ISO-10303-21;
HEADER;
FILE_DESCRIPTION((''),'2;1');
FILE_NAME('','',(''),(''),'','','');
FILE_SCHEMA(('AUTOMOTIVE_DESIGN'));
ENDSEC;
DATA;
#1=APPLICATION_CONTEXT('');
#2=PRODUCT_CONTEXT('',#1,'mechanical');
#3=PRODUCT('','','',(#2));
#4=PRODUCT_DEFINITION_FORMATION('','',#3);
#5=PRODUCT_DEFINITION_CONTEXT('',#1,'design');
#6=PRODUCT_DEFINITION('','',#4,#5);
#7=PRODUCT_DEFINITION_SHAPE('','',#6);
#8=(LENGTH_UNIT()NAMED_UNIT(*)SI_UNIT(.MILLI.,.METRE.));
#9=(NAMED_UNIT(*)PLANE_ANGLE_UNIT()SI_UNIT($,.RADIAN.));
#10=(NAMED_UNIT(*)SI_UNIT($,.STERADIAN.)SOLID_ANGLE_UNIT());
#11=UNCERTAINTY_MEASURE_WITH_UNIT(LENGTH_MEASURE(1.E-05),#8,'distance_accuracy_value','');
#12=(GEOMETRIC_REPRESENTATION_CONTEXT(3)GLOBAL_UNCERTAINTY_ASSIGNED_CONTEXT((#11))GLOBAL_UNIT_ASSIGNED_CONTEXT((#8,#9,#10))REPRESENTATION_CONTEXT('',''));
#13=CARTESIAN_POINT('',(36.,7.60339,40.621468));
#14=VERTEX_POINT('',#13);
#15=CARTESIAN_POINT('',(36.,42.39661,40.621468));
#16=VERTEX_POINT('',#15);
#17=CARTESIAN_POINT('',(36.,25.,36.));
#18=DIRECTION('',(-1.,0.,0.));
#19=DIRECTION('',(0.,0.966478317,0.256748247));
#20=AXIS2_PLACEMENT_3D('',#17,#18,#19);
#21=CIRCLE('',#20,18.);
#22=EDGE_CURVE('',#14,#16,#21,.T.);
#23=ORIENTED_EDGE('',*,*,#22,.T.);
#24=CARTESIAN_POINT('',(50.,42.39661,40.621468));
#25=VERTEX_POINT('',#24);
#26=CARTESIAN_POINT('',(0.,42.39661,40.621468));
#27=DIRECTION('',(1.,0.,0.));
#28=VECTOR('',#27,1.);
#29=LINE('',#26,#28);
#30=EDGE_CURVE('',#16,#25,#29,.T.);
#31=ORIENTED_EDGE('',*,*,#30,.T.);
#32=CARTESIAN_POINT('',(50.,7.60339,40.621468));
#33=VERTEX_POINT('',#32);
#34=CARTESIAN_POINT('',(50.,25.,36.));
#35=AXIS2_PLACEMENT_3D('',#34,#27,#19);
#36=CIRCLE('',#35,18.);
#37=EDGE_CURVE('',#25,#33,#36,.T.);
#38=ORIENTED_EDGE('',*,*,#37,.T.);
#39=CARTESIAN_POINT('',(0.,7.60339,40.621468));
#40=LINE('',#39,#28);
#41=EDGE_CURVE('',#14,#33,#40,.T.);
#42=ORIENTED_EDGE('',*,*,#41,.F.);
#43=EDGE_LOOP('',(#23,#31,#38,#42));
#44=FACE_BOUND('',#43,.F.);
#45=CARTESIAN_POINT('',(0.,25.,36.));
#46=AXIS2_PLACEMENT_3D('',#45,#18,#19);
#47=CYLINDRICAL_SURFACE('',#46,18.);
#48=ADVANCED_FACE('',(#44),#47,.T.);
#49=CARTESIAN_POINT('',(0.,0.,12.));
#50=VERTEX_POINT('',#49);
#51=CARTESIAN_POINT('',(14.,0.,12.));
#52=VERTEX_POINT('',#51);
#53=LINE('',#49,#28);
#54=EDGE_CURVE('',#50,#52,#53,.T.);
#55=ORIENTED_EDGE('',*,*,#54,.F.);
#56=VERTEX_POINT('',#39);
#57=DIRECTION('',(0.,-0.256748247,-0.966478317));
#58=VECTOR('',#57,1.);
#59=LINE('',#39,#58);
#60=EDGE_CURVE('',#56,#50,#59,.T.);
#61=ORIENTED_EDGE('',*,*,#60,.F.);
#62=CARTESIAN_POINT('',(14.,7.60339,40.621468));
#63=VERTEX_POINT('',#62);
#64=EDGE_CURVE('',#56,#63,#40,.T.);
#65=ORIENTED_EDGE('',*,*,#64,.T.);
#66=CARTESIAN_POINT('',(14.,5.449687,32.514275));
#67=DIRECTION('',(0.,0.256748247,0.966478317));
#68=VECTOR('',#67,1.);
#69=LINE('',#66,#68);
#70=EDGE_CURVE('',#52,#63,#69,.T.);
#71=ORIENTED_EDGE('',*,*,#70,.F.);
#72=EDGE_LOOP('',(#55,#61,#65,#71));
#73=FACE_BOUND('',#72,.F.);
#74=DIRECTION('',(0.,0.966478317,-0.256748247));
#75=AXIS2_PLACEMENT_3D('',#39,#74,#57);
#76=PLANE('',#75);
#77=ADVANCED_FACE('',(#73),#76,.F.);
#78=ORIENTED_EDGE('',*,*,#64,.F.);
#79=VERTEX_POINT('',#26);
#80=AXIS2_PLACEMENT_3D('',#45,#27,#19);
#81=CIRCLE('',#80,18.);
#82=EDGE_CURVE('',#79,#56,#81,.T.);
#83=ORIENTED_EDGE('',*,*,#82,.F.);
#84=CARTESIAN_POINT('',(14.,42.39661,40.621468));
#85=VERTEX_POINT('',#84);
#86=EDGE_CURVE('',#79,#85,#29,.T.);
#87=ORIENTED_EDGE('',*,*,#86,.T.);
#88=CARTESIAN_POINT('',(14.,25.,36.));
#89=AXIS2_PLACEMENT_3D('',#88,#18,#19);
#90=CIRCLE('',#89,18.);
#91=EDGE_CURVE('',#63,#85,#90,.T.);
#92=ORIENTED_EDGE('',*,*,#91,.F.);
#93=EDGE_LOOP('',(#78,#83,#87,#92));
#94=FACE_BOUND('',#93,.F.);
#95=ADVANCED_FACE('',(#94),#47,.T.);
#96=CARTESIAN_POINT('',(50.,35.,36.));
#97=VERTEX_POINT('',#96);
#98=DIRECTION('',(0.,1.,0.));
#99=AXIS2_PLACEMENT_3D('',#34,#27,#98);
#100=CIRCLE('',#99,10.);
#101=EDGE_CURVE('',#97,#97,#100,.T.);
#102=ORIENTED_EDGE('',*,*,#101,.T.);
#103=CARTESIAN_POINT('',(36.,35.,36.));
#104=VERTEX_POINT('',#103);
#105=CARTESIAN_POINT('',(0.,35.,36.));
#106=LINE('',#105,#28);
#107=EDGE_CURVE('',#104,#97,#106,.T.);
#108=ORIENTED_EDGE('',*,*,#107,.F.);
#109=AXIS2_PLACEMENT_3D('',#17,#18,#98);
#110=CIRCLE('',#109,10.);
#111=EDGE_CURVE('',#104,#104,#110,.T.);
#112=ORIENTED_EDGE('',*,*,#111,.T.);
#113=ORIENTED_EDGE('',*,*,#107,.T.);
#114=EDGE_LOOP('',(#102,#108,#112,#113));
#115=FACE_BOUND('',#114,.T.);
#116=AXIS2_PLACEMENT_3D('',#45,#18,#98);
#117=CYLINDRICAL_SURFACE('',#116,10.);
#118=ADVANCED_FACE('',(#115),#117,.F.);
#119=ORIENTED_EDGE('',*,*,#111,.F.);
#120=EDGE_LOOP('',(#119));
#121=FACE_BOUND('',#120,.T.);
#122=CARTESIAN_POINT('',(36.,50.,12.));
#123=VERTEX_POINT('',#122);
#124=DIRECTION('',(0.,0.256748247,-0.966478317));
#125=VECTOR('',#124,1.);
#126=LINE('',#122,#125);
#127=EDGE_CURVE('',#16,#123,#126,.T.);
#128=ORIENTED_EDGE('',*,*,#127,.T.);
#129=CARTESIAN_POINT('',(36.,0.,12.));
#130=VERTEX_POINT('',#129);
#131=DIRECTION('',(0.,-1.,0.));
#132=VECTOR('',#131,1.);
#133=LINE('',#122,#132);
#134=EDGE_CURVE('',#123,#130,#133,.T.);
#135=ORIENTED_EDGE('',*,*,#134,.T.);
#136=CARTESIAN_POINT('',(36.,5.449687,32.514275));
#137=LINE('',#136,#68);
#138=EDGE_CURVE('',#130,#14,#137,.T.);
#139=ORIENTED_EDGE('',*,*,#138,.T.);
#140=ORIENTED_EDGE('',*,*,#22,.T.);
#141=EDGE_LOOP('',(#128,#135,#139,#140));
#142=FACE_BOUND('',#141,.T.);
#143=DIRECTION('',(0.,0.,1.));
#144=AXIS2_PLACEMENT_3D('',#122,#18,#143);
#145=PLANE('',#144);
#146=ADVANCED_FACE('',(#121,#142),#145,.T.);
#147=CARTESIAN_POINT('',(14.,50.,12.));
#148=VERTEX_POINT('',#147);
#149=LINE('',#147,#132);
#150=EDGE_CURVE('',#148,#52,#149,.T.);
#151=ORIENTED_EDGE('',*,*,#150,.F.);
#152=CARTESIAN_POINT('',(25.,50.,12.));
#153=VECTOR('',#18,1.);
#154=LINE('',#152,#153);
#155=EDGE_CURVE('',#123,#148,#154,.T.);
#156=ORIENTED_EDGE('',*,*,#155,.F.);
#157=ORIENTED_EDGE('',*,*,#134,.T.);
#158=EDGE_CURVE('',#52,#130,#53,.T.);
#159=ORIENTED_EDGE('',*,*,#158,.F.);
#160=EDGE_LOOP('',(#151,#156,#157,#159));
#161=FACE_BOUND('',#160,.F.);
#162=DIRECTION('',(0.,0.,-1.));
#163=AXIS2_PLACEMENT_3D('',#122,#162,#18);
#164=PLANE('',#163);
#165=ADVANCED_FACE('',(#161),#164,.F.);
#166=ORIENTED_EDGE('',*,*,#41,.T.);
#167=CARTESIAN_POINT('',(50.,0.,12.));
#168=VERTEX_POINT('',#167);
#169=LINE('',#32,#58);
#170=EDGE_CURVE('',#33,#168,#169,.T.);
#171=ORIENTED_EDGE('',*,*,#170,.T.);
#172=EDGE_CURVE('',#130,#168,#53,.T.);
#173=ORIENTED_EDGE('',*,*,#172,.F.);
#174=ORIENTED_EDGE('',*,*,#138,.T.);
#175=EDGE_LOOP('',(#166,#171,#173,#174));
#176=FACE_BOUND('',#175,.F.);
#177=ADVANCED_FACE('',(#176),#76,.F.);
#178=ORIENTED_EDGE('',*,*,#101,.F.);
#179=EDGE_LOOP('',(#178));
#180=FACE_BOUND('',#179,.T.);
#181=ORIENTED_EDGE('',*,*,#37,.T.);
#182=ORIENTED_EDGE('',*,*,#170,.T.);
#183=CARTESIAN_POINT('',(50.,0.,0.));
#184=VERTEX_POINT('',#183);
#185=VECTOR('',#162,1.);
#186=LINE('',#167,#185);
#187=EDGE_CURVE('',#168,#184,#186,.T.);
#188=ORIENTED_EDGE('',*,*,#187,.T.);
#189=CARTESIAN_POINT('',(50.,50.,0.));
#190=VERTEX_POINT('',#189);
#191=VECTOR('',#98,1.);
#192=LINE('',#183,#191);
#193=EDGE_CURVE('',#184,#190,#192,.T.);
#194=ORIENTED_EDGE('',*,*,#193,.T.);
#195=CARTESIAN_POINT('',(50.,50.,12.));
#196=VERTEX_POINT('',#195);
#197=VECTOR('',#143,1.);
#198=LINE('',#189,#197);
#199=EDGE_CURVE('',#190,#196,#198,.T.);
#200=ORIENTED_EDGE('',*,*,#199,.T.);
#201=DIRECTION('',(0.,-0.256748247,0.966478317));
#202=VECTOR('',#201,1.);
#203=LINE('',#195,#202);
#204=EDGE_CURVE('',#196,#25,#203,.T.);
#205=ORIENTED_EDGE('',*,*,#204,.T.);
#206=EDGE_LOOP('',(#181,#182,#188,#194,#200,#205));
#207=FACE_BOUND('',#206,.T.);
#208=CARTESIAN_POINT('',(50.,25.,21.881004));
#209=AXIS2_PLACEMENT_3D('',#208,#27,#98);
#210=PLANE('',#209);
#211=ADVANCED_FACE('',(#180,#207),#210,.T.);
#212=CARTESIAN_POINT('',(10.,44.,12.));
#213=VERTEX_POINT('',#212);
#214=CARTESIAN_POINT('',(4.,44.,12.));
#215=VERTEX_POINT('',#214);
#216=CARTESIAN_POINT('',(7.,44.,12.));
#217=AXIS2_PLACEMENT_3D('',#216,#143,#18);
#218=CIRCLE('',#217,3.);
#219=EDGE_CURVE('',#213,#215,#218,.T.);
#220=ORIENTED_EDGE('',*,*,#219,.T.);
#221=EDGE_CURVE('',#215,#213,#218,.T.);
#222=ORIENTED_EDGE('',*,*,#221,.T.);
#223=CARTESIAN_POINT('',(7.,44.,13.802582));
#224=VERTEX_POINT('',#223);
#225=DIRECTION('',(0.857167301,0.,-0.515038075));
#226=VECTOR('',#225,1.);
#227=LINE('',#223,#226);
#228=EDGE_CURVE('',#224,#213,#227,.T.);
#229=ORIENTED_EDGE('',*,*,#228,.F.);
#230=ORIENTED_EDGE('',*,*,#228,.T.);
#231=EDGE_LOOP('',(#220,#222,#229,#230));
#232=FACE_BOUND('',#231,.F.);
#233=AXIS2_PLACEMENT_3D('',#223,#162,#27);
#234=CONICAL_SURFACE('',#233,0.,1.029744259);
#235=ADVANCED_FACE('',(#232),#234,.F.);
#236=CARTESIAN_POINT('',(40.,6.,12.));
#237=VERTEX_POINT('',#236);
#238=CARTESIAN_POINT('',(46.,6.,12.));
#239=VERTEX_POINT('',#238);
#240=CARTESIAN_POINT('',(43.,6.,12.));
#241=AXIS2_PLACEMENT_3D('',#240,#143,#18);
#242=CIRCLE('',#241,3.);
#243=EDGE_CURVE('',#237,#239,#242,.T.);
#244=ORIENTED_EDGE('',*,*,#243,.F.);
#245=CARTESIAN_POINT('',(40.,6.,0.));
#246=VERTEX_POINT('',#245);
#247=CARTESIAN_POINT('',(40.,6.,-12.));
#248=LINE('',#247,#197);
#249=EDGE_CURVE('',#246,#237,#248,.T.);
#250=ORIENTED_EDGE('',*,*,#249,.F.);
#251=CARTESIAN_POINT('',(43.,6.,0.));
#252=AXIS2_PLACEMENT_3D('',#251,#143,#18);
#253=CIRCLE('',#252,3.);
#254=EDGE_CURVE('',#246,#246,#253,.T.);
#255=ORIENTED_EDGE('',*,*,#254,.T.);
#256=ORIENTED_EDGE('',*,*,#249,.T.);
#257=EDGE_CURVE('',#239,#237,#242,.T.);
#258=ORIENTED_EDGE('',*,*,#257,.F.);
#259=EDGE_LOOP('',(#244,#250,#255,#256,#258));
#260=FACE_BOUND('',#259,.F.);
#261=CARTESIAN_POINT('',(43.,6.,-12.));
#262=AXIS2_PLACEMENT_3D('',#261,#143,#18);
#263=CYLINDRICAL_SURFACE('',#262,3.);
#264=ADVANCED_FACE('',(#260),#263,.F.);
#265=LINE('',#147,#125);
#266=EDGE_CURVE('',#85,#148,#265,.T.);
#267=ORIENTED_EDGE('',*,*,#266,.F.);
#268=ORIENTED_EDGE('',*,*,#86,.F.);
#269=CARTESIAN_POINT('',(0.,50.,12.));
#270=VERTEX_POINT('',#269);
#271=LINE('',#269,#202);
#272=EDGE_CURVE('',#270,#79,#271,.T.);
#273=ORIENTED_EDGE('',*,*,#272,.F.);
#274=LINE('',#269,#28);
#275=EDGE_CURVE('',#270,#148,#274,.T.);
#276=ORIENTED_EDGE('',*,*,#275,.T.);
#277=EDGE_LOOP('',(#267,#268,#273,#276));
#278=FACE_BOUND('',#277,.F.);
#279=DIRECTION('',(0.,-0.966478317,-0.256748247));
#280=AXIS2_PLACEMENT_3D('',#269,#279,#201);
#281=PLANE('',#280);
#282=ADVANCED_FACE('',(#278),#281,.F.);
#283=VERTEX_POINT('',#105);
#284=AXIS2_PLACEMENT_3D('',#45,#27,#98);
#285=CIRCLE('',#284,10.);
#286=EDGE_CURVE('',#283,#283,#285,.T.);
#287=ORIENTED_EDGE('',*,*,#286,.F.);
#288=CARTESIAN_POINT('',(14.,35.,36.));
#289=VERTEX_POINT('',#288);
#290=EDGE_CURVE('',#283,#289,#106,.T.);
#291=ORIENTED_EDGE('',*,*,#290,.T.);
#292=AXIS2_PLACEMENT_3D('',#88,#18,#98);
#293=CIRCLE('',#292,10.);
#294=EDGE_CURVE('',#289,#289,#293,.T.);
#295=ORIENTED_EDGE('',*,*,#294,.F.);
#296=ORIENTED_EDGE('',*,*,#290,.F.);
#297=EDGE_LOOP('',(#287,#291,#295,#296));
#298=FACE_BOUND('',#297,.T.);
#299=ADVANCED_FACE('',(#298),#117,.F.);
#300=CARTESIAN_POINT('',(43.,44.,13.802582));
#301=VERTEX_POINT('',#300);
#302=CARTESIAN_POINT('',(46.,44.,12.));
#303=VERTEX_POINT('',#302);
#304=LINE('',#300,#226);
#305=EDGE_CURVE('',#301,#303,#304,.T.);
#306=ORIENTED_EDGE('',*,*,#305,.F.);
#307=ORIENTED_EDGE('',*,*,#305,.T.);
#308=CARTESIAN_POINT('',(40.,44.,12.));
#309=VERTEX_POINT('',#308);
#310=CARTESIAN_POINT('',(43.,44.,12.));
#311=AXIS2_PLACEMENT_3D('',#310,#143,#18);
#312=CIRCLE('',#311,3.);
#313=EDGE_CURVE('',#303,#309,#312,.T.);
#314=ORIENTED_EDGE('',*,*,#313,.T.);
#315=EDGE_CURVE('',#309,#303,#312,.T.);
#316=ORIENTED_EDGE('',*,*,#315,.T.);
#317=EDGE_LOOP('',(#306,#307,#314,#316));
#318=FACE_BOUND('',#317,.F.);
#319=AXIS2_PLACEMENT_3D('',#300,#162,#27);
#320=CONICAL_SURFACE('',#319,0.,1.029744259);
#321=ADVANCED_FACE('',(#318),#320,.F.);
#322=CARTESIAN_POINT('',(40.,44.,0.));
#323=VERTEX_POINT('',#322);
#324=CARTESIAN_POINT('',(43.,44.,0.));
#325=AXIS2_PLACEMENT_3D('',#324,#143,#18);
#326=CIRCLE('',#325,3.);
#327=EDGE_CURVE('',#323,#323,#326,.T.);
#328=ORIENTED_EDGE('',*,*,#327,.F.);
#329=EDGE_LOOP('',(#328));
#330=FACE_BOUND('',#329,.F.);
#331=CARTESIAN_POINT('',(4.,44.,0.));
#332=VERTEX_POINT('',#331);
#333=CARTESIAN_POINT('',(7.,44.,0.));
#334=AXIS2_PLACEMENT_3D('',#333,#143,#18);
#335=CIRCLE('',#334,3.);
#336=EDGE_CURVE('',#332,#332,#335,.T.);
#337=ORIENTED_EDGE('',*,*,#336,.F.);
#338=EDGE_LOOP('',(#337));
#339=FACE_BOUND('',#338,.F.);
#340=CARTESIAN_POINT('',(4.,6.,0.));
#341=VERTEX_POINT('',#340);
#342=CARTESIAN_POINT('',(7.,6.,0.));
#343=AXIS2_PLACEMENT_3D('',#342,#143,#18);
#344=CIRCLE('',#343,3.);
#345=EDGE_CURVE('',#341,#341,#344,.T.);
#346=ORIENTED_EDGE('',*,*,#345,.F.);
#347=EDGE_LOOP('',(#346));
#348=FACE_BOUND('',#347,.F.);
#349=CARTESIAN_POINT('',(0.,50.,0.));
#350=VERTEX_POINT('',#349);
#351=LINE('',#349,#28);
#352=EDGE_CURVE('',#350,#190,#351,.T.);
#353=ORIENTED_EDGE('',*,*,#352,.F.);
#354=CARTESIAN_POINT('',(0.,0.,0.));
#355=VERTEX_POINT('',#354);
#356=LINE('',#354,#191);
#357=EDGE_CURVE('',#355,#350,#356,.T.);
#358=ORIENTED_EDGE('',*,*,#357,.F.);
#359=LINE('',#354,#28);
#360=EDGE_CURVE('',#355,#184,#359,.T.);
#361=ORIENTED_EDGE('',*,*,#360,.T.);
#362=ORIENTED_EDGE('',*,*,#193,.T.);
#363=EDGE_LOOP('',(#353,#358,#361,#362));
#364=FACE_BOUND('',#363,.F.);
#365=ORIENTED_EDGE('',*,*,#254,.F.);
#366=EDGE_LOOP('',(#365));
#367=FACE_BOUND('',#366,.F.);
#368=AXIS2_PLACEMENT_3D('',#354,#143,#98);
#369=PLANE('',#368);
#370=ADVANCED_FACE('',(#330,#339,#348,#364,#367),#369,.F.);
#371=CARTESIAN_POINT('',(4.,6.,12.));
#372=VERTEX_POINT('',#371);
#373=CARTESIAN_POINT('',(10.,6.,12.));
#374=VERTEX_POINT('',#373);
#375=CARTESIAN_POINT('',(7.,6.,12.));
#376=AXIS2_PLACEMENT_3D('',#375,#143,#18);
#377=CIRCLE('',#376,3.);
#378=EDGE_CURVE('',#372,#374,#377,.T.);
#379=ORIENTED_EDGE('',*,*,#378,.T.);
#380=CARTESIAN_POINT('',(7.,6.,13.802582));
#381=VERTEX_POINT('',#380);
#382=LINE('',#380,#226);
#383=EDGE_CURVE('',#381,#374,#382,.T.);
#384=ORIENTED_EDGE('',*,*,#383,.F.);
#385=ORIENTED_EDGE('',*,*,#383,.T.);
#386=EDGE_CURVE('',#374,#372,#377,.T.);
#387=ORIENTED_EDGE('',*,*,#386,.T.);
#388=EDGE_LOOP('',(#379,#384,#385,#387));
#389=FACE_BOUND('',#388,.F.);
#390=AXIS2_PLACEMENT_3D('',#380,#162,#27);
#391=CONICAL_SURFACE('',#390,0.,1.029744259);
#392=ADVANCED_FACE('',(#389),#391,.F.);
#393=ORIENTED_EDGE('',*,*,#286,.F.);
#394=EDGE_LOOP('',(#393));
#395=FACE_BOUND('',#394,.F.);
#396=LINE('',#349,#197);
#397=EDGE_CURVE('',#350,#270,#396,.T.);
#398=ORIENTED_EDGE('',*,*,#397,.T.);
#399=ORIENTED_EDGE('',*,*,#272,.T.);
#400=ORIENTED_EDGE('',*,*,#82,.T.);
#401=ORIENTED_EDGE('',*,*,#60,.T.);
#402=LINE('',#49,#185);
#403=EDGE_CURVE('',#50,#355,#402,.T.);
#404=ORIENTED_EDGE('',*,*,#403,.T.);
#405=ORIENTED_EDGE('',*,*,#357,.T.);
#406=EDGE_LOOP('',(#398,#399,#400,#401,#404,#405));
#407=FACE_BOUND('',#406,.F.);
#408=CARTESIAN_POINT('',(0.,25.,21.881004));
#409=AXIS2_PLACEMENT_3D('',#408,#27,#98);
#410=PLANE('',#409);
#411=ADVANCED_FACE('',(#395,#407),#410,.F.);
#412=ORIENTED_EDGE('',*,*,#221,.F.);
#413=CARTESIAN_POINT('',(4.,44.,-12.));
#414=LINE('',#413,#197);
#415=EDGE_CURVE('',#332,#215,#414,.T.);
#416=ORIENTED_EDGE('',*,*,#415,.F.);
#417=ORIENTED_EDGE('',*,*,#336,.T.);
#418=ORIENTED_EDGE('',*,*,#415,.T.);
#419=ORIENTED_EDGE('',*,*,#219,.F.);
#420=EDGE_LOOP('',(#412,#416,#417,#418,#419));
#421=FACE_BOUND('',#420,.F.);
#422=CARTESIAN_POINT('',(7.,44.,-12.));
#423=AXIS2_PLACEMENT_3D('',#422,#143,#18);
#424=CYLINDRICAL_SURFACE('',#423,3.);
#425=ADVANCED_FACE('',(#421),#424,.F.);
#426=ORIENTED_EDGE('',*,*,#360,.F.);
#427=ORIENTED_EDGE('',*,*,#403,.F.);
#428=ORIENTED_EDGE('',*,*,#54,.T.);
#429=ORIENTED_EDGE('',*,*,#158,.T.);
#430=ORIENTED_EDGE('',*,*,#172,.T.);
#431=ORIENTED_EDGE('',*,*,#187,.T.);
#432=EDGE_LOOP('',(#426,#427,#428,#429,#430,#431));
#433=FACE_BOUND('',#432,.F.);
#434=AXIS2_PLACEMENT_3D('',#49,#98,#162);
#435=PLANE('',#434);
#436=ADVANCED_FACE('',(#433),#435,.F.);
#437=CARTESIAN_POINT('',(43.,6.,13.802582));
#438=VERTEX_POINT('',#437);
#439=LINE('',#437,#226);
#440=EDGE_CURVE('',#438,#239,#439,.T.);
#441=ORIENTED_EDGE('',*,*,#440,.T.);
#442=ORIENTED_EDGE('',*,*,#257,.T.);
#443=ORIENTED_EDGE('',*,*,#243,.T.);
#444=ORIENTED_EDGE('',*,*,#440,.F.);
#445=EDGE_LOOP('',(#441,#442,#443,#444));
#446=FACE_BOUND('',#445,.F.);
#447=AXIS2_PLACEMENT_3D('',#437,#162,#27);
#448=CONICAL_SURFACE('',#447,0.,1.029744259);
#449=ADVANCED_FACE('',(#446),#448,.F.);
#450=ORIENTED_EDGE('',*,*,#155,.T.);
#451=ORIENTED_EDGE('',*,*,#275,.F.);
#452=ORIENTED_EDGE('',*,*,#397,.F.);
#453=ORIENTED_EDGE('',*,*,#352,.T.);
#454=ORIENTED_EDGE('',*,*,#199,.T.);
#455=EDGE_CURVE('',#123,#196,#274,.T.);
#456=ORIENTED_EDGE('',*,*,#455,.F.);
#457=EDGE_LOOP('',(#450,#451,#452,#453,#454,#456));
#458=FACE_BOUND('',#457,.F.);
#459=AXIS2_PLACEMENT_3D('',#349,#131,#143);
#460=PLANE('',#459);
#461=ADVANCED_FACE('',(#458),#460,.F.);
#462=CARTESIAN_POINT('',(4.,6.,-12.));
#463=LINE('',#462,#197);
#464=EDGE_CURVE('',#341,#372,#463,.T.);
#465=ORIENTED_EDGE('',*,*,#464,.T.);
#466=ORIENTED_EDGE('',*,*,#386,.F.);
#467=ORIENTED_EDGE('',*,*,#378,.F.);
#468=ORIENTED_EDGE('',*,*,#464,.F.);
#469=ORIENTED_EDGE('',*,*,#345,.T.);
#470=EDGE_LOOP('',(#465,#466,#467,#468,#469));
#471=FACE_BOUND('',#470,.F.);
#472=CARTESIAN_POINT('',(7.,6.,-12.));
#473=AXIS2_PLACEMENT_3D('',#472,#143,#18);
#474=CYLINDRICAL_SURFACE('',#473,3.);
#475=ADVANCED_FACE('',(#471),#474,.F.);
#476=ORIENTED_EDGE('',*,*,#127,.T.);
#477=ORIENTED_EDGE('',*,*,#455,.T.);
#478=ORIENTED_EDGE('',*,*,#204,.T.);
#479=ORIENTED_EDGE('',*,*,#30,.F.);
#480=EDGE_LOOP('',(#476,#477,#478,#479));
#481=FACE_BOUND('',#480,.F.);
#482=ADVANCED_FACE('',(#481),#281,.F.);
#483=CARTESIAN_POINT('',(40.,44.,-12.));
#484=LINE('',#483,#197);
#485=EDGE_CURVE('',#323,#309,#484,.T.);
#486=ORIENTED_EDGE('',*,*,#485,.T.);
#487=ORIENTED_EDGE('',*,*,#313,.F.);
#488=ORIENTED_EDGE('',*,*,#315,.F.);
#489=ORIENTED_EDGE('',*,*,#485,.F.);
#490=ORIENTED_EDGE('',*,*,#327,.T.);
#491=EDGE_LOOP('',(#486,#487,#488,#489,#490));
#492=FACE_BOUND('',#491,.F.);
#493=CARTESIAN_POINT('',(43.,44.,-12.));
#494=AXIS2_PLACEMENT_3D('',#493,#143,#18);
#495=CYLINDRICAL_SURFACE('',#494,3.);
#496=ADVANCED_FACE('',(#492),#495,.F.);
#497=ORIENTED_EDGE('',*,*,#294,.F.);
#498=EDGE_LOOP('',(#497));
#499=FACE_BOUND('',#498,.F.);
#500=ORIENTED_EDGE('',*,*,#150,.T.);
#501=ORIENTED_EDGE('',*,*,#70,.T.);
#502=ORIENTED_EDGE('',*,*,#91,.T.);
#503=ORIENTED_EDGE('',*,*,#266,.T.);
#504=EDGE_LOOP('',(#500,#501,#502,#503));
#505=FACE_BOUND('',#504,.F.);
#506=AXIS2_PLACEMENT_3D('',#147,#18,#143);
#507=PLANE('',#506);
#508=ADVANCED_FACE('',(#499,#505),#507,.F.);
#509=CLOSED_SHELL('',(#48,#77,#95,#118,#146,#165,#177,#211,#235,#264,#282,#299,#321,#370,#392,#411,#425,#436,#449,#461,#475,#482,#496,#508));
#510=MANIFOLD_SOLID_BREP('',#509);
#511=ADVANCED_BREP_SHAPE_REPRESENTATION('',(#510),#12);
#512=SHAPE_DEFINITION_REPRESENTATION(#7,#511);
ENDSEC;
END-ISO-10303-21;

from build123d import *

# Parameters (mm, degrees)
F0_R     = 10
F1_DEPTH = 50
F2_W     = 22
F2_H     = 51.6468636014
F3_DEPTH = 61.9
F5_D     = 6
F5_DEPTH = 12
F5_TIP   = 1.8025818571


with BuildPart() as f1:
    # F0 (on Right) → F1 (new body)
    with BuildSketch(Plane.YZ):
        with BuildLine():
            Line((0, 12), (0, 0))
            Line((0, 0), (50, 0))
            Line((50, 0), (50, 12))
            Line((50, 12), (42.3966097096, 40.6214684475))
            ThreePointArc((42.3966097096, 40.6214684475), (25, 54), (7.6033902904, 40.6214684475))
            Line((7.6033902904, 40.6214684475), (0, 12))
        make_face()
        with Locations((25, 36)):
            Circle(F0_R, mode=Mode.SUBTRACT)
    extrude(amount=F1_DEPTH)

    # F2 (on face) → F3 (cut)
    with BuildSketch(Plane(origin=(0, 50, 0), x_dir=(-1, 0, 0), z_dir=(0, 1, 0))):
        with Locations((-25, 37.8234318007)):
            Rectangle(F2_W, F2_H)
    extrude(amount=-F3_DEPTH, mode=Mode.SUBTRACT)

    # F5
    with Locations(Plane(origin=(0, 0, 0), x_dir=(1, 0, 0), z_dir=(0, 0, -1))):
        with Locations((7, -6), (7, -44), (43, -44), (43, -6)):
            Hole(F5_D / 2, depth=F5_DEPTH)
            with Locations((0, 0, -(F5_DEPTH + F5_TIP / 2))):  # 118° drill point
                Cone(0, F5_D / 2, F5_TIP, mode=Mode.SUBTRACT)


solid = f1.part
